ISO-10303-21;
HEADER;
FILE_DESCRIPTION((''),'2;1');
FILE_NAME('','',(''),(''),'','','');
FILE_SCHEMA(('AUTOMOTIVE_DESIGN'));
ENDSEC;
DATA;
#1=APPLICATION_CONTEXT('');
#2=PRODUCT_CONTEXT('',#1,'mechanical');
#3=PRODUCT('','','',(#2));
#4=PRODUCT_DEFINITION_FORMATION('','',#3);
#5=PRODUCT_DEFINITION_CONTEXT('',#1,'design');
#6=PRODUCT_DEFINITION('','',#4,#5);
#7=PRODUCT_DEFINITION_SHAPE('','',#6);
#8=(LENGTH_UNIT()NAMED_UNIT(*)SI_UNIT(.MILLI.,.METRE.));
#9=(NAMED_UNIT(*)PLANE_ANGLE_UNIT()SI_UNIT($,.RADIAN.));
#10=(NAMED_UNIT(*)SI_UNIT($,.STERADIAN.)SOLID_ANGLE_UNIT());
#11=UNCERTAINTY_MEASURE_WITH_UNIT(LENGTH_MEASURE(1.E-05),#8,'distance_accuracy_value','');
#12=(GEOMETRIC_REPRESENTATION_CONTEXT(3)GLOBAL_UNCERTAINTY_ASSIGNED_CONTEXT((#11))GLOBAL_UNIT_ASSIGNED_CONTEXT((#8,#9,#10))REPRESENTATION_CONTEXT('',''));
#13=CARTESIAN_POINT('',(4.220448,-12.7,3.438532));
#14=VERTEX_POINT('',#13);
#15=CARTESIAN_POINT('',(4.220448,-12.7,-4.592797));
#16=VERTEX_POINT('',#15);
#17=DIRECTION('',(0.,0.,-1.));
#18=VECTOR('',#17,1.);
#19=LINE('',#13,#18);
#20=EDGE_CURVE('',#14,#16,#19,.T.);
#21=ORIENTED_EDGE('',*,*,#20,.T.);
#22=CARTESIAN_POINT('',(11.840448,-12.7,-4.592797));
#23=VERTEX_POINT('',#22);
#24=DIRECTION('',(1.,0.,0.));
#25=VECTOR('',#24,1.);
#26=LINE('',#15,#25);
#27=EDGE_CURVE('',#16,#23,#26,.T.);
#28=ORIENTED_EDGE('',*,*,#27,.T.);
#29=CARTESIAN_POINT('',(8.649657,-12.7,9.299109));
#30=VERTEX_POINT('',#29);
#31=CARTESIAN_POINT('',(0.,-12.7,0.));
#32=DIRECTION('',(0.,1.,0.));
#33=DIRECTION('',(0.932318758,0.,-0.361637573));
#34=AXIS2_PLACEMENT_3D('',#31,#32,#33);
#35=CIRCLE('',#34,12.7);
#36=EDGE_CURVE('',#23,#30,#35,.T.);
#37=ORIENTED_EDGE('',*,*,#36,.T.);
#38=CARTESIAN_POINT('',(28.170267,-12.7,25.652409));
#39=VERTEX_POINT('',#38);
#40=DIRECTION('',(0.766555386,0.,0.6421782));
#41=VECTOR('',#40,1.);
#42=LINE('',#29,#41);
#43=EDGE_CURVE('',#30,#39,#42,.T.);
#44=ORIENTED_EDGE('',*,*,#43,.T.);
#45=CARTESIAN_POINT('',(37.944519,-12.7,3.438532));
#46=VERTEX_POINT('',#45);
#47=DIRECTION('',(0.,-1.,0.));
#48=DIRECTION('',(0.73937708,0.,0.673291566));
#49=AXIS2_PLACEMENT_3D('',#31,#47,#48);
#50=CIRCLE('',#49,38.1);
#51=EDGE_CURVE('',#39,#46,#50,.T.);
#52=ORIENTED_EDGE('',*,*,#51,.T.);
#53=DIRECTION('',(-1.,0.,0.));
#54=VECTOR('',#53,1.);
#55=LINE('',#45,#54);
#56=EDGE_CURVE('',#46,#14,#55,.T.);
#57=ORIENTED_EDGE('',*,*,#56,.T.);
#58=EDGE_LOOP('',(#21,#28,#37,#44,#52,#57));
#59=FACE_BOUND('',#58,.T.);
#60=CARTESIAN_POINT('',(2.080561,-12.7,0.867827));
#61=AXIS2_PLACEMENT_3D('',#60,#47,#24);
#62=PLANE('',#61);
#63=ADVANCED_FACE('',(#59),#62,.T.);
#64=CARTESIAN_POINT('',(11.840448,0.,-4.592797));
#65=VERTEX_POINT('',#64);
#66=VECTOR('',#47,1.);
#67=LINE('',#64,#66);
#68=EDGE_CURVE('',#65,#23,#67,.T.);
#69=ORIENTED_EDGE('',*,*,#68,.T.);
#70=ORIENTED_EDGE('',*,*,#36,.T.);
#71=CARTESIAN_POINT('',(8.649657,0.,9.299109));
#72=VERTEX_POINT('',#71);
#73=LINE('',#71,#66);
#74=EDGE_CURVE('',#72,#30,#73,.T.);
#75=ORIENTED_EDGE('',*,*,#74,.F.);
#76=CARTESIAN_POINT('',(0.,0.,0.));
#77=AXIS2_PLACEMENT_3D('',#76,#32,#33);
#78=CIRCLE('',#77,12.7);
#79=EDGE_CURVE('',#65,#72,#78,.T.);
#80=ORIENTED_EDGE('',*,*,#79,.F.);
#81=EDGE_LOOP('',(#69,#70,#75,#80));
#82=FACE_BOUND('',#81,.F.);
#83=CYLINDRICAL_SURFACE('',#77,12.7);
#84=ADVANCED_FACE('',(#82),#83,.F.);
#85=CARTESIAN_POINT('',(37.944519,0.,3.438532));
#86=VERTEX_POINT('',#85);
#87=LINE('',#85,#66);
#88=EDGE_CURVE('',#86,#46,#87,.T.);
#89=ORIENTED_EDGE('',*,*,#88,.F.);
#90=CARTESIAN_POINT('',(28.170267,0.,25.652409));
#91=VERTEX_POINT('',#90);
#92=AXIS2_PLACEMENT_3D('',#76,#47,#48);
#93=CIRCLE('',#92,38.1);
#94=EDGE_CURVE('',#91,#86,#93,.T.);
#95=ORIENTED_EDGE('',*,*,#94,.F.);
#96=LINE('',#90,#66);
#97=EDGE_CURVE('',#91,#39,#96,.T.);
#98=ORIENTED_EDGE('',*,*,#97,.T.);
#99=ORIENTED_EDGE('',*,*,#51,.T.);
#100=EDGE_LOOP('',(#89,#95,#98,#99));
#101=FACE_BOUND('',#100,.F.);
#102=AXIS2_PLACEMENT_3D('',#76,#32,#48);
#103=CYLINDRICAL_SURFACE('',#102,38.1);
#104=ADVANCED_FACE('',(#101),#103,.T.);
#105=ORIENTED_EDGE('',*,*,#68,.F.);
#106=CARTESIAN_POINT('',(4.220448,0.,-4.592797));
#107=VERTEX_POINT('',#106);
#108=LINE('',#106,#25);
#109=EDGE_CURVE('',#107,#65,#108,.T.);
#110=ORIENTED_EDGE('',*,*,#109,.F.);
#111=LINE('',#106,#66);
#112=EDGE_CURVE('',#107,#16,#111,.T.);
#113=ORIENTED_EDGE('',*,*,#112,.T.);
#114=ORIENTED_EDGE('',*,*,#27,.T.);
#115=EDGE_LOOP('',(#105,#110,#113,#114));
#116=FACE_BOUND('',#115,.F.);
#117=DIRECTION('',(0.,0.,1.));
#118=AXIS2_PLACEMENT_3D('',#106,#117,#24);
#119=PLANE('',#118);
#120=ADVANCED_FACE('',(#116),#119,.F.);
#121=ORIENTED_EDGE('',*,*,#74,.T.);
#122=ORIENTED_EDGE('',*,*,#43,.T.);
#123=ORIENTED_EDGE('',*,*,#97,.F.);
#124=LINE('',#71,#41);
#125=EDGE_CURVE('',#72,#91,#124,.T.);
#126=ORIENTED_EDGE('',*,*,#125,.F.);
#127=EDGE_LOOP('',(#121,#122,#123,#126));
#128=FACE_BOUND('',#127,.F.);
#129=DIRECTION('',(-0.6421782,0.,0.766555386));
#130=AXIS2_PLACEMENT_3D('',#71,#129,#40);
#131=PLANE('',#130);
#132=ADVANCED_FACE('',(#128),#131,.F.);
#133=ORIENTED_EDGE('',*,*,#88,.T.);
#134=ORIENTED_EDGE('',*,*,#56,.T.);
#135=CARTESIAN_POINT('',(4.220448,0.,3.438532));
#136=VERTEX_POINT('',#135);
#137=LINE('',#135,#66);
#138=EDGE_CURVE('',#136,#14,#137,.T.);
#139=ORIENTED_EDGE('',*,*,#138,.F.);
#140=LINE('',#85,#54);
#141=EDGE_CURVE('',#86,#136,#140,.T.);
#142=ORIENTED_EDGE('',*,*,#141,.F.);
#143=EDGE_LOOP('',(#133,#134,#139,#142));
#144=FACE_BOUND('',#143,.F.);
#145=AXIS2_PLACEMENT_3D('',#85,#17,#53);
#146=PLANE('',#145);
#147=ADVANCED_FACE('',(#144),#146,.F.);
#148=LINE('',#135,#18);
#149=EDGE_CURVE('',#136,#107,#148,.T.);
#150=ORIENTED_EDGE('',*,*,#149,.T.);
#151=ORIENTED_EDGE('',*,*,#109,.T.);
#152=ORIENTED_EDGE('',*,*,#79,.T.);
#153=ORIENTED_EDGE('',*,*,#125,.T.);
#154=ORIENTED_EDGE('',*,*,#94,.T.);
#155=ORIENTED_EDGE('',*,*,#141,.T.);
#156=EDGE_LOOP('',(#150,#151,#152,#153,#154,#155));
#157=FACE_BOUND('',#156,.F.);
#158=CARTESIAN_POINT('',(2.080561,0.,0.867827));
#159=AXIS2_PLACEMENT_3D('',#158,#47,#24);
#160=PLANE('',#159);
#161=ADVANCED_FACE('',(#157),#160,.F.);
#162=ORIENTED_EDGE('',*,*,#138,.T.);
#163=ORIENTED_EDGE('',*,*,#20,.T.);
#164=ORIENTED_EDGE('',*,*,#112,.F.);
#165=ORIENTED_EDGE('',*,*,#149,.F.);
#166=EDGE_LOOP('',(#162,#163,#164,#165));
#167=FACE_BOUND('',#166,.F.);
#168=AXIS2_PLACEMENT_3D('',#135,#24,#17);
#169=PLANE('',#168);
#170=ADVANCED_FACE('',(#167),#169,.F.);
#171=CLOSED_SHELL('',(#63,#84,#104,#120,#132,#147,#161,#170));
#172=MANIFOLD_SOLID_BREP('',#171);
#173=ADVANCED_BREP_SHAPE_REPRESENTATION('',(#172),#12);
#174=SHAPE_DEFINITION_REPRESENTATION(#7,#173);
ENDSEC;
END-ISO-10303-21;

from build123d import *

# Parameters (mm, degrees)
F1_DEPTH = 12.7


with BuildPart() as f1:
    # F0 (on Front) → F1 (new body)
    with BuildSketch(Plane.XZ):
        with BuildLine():
            Line((8.649657, 9.299109), (28.170267, 25.652409))
            ThreePointArc((28.170267, 25.652409), (-34.873418, -15.344534), (37.944519, 3.438532))
            Line((37.944519, 3.438532), (12.225649, 3.438532))
            Line((12.225649, 3.438532), (4.220448, 3.438532))
            Line((4.220448, 3.438532), (4.220448, -4.592797))
            Line((4.220448, -4.592797), (11.840448, -4.592797))
            ThreePointArc((11.840448, -4.592797), (-12.377696, -2.842997), (8.649657, 9.299109))
        make_face()
    extrude(amount=F1_DEPTH)


solid = f1.part
